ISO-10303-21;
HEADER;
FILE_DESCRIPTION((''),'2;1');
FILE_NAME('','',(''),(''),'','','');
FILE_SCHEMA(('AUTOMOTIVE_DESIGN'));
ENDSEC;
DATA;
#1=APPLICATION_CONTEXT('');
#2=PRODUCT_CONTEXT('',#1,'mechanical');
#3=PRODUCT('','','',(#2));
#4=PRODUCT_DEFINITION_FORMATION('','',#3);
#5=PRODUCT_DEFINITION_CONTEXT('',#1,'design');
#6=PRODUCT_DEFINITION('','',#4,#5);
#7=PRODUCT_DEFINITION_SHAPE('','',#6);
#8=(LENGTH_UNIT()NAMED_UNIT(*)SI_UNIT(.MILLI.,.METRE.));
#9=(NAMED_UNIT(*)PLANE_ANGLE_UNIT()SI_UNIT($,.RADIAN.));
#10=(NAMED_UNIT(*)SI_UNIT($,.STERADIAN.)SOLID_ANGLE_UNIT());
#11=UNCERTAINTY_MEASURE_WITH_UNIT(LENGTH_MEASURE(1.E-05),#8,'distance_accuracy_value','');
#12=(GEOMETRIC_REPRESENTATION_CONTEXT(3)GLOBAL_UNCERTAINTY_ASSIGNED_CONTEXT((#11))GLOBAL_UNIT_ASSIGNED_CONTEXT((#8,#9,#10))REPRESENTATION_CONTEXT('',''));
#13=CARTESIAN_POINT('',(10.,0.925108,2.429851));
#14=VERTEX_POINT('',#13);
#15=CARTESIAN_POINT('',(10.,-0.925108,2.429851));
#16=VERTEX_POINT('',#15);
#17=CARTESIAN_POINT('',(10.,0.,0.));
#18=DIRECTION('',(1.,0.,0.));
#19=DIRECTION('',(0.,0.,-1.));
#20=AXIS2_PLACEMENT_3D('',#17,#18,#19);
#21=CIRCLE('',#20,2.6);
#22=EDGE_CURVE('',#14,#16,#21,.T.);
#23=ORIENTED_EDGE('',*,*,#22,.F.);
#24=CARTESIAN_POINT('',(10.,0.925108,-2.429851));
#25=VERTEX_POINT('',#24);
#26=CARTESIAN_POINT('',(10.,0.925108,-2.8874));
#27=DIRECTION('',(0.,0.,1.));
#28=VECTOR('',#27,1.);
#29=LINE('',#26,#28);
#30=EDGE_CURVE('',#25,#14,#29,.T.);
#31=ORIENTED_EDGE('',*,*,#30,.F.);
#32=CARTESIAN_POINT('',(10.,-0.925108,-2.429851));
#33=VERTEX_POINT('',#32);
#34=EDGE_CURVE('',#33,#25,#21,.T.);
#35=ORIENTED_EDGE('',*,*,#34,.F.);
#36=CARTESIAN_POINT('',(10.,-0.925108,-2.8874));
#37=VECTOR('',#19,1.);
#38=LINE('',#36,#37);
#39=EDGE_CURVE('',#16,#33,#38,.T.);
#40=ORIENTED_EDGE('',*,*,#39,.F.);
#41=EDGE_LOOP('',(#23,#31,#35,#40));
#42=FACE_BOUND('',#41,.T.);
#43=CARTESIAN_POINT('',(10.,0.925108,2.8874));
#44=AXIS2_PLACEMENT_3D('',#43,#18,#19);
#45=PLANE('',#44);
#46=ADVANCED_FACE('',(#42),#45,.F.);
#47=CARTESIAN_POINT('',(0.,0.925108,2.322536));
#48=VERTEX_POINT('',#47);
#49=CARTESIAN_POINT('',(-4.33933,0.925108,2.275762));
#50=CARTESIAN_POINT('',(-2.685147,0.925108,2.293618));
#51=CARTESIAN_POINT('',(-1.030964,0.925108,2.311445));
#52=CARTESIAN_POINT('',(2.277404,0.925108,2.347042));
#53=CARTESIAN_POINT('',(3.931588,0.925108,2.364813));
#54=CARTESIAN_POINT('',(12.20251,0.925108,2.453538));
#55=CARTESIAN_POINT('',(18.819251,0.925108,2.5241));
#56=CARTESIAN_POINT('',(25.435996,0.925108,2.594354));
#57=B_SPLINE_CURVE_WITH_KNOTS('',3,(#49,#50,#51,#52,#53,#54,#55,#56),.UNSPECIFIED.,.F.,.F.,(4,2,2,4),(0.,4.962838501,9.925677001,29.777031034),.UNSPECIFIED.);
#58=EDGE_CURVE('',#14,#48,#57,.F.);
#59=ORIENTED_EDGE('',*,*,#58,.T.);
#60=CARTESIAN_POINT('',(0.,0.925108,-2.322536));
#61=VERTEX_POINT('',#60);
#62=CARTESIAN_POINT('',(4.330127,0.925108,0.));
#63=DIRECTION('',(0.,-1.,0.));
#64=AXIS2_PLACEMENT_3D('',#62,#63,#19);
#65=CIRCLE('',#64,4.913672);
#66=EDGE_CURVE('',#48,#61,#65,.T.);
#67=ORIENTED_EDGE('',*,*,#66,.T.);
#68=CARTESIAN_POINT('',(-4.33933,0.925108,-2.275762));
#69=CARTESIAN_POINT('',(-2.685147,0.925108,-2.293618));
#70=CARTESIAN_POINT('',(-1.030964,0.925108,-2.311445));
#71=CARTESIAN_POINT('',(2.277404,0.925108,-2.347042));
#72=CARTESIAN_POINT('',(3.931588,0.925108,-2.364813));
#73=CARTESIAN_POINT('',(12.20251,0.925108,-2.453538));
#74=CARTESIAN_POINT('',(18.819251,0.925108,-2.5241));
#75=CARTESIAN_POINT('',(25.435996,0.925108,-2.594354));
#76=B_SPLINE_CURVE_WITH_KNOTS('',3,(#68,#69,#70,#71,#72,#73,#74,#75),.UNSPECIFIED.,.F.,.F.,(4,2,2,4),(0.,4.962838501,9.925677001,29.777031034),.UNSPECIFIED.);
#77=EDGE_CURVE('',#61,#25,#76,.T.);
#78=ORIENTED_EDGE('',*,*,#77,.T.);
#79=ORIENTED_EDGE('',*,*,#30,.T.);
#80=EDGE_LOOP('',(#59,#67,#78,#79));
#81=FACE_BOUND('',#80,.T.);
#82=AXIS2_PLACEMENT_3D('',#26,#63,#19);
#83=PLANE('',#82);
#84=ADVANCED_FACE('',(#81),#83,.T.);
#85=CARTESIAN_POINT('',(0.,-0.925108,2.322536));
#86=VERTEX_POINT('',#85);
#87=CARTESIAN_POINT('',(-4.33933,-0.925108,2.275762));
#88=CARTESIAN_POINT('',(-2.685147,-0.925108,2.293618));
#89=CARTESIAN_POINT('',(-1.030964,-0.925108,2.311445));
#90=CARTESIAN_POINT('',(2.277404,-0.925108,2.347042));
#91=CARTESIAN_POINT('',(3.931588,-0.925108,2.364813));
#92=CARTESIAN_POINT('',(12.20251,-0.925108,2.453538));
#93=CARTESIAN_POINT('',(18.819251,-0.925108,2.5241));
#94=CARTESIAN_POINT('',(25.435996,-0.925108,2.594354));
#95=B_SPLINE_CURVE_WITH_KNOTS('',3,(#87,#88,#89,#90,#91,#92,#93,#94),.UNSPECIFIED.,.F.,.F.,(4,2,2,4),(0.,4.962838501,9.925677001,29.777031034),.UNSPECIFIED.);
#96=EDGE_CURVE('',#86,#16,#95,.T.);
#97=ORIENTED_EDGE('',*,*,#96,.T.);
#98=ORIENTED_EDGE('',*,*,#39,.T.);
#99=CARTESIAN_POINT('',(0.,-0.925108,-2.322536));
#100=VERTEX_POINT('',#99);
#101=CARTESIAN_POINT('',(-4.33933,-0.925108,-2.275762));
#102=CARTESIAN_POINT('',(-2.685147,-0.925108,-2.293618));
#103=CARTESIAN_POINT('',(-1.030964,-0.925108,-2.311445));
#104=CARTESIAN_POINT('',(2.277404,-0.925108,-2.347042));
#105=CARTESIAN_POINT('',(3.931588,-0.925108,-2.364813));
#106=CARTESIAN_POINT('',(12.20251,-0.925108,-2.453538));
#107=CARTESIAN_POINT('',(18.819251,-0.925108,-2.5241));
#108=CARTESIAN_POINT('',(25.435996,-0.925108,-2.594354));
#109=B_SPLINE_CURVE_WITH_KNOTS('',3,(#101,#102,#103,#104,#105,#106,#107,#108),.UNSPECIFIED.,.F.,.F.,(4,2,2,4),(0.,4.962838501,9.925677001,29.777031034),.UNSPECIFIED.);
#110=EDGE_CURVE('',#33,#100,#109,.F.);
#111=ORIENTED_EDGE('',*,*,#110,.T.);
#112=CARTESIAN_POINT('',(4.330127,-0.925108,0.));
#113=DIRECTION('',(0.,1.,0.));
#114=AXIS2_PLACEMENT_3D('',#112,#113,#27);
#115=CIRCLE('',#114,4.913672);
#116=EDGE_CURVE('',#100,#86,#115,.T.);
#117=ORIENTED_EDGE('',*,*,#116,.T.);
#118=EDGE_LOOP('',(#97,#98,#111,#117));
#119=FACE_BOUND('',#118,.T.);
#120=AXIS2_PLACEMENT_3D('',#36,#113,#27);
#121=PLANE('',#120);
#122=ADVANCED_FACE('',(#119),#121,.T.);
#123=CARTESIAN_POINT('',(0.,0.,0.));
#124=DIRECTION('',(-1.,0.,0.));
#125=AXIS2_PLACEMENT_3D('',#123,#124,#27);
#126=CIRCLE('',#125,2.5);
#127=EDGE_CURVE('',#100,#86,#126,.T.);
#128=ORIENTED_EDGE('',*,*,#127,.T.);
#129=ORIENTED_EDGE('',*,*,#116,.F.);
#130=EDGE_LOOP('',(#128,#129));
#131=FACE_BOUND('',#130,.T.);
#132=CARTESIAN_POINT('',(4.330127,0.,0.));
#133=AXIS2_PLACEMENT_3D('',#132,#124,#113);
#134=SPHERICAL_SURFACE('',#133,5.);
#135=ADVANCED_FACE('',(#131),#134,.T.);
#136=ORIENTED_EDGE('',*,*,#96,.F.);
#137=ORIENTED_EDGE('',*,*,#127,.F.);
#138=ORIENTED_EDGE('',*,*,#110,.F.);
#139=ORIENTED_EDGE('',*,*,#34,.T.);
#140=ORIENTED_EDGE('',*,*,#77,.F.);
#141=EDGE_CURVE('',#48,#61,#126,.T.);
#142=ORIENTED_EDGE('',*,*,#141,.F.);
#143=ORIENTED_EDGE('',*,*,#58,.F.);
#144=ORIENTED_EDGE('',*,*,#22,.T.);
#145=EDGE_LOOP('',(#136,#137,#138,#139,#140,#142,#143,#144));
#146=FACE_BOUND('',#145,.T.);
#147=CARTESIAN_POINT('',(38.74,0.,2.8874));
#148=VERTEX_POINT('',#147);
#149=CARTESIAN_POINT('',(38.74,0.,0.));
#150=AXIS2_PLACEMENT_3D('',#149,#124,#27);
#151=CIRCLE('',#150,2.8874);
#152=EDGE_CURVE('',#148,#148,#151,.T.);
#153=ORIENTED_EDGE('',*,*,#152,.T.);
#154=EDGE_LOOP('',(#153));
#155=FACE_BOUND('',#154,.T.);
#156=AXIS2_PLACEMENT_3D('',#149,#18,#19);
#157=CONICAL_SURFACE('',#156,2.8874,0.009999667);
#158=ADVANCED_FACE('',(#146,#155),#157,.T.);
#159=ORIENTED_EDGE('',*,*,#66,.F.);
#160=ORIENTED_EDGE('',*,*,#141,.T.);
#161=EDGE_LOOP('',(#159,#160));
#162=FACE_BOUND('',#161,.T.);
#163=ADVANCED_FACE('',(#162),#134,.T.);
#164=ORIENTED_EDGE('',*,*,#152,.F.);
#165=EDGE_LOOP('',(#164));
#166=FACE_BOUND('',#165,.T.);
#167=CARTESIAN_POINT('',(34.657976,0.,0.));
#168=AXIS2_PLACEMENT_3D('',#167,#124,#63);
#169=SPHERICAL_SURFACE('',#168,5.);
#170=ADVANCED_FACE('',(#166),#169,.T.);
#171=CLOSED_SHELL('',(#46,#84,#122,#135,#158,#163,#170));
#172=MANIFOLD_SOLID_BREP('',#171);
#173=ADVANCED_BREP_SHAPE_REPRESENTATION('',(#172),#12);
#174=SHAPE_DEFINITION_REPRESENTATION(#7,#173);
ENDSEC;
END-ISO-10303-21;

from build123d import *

# Parameters (mm, degrees)
SPLIT_2_DEPTH      = 10
SPLIT_2_DEPTH_BACK = 40.867646096
SPLSKE_W           = 5.7748
SPLSKE_H           = 1.850215418


with BuildPart() as part:
    # BodySke → Body (revolve)
    with BuildSketch(Plane.XY, mode=Mode.PRIVATE) as body_sk:
        with BuildLine():
            Line((0, 2.5), (38.74, 2.8874))
            ThreePointArc((38.74, 2.8874), (39.422958568, 1.514905806), (39.65797584, 0))
            Line((39.65797584, 0), (-0.669872981, 0))
            ThreePointArc((-0.669872981, 0), (-0.499502113, 1.294095226), (0, 2.5))
        make_face()
    revolve(body_sk.sketch.rotate(Axis((-0.669872981, 0, 0), (1, 0, 0)), 90), axis=Axis((-0.669872981, 0, 0), (1, 0, 0)))

    # SplSke → Split 2 (cut, two sides: drawn at the far end of the back side and taken through both)
    with BuildSketch(Plane(origin=(0, 0, 0), x_dir=(0, 0, -1), z_dir=(1, 0, 0)).offset(-SPLIT_2_DEPTH_BACK)):
        Rectangle(SPLSKE_W, SPLSKE_H)
    extrude(amount=SPLIT_2_DEPTH + SPLIT_2_DEPTH_BACK, mode=Mode.SUBTRACT)


solid = part.part
